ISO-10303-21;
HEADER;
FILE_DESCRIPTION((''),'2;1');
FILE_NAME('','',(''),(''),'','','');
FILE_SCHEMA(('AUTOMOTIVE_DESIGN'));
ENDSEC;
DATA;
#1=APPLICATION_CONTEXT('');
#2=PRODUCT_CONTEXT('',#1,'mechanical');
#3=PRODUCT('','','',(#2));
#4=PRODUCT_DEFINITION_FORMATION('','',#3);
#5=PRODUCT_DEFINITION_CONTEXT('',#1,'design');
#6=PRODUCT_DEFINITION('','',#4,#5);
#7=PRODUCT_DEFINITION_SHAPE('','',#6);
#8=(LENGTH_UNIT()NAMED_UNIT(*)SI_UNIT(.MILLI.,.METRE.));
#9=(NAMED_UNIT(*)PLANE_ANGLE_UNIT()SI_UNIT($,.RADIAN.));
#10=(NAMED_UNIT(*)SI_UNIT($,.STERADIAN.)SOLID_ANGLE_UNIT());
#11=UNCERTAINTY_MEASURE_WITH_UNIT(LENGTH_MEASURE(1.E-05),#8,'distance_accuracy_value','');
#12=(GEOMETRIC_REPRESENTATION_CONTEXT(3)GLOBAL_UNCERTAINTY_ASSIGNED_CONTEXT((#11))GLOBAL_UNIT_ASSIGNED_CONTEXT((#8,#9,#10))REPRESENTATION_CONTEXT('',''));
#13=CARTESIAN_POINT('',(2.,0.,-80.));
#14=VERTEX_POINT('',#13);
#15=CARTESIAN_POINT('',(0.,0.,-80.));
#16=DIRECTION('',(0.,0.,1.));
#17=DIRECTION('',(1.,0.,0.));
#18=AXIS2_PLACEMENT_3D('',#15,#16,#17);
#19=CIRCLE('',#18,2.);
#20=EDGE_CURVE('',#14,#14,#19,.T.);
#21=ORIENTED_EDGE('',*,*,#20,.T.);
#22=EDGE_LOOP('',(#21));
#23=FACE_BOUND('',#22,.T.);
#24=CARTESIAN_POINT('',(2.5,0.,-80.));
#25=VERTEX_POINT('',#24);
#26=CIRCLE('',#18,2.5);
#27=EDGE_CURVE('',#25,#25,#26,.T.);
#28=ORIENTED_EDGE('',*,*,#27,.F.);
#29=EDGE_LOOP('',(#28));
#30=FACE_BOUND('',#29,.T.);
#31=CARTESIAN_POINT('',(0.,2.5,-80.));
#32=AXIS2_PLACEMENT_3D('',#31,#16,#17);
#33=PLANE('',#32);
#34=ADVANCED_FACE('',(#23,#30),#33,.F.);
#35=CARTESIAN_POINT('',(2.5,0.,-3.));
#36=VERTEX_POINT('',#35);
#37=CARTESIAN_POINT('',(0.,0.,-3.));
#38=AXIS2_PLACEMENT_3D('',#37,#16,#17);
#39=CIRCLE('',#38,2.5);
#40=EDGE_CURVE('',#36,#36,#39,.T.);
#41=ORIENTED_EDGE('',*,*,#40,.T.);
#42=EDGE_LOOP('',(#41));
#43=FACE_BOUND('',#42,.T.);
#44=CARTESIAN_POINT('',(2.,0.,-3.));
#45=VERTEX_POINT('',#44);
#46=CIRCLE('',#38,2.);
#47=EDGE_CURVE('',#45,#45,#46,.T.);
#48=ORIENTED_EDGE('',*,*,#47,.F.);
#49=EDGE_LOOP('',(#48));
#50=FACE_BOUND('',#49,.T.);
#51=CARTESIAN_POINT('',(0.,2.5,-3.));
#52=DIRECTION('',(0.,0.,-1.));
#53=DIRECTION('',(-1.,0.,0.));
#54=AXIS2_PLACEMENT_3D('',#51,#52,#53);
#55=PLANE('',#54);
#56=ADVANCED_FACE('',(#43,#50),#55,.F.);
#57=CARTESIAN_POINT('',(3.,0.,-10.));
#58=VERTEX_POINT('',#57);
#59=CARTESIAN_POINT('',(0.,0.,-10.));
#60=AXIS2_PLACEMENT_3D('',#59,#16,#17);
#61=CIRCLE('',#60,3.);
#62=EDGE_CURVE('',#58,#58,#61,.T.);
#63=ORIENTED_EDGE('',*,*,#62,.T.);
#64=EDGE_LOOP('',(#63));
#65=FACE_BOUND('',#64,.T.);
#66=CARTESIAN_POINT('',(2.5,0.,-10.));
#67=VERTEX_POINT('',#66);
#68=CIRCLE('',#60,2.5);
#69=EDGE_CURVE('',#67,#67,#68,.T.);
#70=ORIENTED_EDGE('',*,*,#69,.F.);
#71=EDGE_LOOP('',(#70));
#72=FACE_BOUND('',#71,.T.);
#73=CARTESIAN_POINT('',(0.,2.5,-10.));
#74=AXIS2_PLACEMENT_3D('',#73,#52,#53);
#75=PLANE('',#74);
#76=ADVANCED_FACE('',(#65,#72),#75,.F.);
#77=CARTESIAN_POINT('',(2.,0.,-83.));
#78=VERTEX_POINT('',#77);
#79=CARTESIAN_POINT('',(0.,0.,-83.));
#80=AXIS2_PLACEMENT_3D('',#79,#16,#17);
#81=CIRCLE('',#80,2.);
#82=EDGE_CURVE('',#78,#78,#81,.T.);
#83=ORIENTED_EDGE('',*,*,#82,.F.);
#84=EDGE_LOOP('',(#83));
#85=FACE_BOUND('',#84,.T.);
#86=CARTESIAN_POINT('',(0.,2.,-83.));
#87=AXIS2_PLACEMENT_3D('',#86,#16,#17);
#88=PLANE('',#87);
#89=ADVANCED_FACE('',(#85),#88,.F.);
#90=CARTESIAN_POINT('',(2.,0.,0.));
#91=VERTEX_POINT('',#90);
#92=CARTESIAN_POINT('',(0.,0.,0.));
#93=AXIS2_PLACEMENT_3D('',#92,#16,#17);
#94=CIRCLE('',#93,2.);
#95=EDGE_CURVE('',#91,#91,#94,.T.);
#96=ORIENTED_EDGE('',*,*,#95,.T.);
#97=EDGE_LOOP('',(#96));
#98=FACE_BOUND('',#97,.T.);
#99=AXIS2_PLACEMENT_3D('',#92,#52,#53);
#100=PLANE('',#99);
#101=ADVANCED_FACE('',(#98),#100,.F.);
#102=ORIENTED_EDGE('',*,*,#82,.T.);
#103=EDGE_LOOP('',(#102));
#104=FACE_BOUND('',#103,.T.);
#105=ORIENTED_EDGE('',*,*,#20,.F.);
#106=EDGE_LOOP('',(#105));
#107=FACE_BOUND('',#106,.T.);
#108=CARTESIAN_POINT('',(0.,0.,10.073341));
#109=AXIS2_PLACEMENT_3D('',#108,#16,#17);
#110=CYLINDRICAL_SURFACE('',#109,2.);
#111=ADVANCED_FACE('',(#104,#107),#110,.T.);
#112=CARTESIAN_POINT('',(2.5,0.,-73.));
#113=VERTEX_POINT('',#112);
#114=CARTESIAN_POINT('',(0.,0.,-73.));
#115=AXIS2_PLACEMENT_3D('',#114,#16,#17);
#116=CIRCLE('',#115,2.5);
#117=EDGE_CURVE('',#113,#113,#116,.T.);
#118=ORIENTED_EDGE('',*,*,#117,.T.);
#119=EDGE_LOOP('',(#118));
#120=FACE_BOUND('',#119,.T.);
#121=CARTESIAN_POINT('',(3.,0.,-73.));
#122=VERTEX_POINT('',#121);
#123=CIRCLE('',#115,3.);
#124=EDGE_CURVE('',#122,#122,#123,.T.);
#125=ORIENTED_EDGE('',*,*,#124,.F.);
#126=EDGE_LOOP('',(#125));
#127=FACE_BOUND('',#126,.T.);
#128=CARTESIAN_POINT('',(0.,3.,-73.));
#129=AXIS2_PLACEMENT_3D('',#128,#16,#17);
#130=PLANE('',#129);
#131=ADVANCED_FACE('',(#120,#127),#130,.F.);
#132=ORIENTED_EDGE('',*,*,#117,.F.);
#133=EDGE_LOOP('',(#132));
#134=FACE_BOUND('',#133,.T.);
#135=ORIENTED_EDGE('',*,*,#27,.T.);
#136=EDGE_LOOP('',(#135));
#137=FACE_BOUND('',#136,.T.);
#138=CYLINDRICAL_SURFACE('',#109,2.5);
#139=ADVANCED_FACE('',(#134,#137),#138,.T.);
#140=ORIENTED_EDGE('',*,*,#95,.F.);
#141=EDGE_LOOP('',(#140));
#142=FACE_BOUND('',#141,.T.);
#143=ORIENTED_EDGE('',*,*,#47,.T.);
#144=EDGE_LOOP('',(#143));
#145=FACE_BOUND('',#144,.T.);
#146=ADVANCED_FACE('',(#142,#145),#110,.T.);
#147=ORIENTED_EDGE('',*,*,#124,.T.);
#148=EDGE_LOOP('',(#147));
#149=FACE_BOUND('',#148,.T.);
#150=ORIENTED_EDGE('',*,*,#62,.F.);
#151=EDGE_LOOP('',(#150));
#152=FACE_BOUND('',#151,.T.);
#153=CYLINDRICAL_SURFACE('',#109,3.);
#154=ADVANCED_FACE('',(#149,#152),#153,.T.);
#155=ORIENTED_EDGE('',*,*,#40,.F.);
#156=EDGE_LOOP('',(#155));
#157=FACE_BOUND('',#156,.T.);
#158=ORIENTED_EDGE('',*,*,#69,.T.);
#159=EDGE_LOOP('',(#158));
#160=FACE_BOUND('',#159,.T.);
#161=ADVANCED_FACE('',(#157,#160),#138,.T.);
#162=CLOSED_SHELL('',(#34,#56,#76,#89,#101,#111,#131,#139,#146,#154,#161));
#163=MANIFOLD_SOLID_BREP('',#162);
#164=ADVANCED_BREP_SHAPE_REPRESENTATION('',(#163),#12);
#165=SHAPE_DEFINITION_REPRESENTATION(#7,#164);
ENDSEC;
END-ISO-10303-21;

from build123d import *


with BuildPart() as part:
    # Sketch1 → Revolve1 (revolve)
    with BuildSketch(Plane(origin=(0, 0, 0), x_dir=(0, 0, -1), z_dir=(1, 0, 0)), mode=Mode.PRIVATE) as revolve1_sk:
        Polygon((0, 0), (0, 2), (3, 2), (3, 2.5), (10, 2.5), (10, 3), (73, 3), (73, 2.5), (80, 2.5), (80, 2), (83, 2), (83, 0), align=None)
    revolve(revolve1_sk.sketch.rotate(Axis((0, 0, 10.073341037), (0, 0, -1)), 90), axis=Axis((0, 0, 10.073341037), (0, 0, -1)))


solid = part.part
